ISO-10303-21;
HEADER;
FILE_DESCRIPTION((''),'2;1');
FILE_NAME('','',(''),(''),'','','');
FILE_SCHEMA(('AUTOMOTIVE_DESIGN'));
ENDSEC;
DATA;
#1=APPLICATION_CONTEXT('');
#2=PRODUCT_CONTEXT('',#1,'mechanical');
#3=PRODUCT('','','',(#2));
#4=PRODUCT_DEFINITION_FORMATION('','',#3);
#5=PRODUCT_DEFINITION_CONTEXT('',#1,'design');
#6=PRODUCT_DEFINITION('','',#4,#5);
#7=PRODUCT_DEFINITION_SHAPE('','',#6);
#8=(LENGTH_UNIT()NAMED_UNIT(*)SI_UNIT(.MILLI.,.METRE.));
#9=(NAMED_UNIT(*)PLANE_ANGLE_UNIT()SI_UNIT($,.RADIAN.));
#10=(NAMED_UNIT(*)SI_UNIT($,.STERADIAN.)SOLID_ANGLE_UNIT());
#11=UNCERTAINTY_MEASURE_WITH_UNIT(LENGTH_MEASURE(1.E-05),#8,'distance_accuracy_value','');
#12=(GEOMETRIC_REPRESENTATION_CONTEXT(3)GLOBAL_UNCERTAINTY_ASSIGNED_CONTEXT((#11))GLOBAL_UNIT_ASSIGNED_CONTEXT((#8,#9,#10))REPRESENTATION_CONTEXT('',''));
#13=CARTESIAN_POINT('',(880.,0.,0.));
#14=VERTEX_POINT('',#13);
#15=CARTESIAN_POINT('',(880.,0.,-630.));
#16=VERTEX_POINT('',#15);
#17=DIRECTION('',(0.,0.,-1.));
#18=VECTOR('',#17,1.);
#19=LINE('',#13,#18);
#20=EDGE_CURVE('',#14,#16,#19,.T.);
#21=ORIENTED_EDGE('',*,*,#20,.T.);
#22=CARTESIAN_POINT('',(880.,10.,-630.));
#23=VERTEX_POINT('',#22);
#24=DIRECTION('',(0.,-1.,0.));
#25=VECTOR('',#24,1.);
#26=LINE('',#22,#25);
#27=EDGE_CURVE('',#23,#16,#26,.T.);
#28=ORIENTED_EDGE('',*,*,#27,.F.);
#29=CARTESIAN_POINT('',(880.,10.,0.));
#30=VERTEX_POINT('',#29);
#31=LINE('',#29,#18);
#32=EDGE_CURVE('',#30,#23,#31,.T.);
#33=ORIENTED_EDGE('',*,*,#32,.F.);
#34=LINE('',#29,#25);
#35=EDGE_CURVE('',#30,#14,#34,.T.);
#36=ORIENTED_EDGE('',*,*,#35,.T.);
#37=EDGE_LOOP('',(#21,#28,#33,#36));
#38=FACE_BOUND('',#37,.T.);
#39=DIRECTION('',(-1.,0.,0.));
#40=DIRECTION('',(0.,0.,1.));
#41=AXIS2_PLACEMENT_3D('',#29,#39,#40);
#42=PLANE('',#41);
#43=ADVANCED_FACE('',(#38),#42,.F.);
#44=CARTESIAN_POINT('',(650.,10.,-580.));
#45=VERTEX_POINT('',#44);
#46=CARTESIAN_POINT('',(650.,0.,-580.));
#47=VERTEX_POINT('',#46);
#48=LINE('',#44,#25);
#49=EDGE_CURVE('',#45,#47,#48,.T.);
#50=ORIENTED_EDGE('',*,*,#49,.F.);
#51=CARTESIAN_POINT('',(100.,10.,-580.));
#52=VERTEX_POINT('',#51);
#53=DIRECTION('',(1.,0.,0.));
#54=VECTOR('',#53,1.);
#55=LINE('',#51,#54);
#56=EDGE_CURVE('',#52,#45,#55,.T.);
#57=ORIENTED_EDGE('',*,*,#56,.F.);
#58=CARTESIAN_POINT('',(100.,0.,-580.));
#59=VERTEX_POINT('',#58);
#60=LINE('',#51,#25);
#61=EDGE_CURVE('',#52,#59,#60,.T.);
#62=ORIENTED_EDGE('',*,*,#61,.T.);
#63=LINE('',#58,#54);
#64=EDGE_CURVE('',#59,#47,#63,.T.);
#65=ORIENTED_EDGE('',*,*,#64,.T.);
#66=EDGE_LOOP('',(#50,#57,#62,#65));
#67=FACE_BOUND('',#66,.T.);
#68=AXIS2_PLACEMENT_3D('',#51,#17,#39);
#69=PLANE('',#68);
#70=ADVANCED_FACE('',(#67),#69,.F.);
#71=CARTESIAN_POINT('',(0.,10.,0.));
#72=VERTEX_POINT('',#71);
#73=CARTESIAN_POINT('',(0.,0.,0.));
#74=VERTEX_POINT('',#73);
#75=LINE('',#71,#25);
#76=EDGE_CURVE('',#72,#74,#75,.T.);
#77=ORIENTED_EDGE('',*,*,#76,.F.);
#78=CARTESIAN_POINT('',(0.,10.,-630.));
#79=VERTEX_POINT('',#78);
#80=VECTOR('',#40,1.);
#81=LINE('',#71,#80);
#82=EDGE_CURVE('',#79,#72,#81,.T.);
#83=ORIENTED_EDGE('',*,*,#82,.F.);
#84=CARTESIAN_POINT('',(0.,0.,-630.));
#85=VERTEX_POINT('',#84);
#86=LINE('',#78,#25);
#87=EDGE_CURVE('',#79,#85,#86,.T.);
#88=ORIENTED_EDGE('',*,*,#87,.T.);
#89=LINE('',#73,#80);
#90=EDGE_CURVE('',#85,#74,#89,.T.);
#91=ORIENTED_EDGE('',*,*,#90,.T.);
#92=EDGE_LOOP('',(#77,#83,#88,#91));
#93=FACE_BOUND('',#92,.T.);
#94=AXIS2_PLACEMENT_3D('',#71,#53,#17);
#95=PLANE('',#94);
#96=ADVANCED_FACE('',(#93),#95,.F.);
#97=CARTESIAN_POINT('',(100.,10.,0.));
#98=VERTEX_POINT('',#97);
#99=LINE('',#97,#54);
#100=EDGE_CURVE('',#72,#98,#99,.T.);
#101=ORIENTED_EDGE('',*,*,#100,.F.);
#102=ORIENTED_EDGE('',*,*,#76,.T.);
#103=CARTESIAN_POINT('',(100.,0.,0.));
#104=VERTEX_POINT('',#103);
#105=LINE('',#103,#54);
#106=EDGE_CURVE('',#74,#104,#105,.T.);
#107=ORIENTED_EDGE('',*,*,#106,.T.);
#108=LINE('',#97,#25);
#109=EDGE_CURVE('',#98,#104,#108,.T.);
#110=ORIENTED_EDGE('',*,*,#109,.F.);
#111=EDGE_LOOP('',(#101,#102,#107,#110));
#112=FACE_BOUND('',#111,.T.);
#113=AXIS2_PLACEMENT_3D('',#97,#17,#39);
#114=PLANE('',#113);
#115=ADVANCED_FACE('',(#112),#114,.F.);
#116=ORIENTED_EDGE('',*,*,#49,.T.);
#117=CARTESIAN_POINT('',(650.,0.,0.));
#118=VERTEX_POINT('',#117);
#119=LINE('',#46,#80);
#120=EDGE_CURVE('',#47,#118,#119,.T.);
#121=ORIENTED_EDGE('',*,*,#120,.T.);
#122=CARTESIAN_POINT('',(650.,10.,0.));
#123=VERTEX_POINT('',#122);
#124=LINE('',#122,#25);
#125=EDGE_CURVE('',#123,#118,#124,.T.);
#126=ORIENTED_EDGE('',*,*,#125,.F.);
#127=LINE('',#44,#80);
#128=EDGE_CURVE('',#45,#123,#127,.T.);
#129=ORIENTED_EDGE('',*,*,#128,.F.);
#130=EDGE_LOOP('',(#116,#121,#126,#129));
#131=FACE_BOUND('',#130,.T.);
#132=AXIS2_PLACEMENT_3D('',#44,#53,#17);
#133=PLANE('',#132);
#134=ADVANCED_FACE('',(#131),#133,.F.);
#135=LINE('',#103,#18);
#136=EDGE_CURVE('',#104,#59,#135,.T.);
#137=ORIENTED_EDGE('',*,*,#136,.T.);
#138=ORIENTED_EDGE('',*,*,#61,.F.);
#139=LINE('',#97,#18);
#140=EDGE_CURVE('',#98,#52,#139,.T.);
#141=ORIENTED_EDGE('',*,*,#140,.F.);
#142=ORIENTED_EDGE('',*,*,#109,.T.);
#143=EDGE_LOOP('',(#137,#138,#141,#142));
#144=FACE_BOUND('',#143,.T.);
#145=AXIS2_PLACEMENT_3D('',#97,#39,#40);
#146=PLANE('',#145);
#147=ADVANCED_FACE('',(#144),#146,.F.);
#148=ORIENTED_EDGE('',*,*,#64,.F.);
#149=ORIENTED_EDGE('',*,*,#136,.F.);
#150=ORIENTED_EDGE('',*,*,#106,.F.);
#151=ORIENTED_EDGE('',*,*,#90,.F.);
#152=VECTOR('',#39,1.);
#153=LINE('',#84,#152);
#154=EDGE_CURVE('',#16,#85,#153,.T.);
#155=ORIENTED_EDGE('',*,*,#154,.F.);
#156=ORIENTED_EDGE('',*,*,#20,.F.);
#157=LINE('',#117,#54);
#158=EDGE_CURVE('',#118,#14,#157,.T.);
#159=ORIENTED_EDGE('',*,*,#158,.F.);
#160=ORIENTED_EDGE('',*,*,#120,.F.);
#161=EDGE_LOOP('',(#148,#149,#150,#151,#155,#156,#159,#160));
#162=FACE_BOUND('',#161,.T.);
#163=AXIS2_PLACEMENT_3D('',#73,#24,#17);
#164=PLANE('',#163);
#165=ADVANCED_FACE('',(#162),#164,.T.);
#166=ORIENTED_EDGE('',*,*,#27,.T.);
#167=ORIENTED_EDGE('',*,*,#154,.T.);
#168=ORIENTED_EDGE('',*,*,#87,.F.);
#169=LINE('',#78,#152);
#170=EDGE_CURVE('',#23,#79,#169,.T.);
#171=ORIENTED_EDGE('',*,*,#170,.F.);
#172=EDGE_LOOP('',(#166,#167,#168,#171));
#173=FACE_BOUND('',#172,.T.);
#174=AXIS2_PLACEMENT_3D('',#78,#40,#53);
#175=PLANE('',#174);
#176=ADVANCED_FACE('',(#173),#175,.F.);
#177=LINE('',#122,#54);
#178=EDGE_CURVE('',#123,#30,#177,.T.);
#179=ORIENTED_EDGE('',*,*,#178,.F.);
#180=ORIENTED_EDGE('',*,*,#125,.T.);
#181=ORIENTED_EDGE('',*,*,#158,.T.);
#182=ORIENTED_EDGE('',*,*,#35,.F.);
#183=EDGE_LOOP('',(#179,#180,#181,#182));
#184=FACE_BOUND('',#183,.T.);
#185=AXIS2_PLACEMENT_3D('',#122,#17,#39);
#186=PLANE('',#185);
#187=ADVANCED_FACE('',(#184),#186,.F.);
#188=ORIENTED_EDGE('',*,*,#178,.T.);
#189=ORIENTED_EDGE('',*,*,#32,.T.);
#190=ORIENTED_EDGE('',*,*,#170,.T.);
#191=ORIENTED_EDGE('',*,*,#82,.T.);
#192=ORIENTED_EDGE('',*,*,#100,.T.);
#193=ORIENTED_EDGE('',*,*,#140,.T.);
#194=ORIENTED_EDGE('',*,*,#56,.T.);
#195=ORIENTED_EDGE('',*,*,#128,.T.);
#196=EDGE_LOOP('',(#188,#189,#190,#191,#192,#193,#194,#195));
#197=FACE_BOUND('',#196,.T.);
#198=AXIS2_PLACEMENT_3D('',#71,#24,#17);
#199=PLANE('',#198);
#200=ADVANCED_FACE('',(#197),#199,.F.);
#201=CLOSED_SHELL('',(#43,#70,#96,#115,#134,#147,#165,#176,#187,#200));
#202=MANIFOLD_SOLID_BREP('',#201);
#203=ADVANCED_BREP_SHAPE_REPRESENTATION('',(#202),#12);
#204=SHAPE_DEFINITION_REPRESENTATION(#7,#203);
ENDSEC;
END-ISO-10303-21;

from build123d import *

# Parameters (mm, degrees)
EXTRUDE_1_DEPTH = 10


with BuildPart() as part:
    # Эскиз1 → Бобышка-Вытянуть1 (new body)
    with BuildSketch(Plane(origin=(0, 0, 0), x_dir=(1, 0, 0), z_dir=(0, 1, 0))):
        Polygon((100, 0), (100, 580), (650, 580), (650, 0), (880, 0), (880, 630), (0, 630), (0, 0), align=None)
    extrude(amount=EXTRUDE_1_DEPTH)


solid = part.part
